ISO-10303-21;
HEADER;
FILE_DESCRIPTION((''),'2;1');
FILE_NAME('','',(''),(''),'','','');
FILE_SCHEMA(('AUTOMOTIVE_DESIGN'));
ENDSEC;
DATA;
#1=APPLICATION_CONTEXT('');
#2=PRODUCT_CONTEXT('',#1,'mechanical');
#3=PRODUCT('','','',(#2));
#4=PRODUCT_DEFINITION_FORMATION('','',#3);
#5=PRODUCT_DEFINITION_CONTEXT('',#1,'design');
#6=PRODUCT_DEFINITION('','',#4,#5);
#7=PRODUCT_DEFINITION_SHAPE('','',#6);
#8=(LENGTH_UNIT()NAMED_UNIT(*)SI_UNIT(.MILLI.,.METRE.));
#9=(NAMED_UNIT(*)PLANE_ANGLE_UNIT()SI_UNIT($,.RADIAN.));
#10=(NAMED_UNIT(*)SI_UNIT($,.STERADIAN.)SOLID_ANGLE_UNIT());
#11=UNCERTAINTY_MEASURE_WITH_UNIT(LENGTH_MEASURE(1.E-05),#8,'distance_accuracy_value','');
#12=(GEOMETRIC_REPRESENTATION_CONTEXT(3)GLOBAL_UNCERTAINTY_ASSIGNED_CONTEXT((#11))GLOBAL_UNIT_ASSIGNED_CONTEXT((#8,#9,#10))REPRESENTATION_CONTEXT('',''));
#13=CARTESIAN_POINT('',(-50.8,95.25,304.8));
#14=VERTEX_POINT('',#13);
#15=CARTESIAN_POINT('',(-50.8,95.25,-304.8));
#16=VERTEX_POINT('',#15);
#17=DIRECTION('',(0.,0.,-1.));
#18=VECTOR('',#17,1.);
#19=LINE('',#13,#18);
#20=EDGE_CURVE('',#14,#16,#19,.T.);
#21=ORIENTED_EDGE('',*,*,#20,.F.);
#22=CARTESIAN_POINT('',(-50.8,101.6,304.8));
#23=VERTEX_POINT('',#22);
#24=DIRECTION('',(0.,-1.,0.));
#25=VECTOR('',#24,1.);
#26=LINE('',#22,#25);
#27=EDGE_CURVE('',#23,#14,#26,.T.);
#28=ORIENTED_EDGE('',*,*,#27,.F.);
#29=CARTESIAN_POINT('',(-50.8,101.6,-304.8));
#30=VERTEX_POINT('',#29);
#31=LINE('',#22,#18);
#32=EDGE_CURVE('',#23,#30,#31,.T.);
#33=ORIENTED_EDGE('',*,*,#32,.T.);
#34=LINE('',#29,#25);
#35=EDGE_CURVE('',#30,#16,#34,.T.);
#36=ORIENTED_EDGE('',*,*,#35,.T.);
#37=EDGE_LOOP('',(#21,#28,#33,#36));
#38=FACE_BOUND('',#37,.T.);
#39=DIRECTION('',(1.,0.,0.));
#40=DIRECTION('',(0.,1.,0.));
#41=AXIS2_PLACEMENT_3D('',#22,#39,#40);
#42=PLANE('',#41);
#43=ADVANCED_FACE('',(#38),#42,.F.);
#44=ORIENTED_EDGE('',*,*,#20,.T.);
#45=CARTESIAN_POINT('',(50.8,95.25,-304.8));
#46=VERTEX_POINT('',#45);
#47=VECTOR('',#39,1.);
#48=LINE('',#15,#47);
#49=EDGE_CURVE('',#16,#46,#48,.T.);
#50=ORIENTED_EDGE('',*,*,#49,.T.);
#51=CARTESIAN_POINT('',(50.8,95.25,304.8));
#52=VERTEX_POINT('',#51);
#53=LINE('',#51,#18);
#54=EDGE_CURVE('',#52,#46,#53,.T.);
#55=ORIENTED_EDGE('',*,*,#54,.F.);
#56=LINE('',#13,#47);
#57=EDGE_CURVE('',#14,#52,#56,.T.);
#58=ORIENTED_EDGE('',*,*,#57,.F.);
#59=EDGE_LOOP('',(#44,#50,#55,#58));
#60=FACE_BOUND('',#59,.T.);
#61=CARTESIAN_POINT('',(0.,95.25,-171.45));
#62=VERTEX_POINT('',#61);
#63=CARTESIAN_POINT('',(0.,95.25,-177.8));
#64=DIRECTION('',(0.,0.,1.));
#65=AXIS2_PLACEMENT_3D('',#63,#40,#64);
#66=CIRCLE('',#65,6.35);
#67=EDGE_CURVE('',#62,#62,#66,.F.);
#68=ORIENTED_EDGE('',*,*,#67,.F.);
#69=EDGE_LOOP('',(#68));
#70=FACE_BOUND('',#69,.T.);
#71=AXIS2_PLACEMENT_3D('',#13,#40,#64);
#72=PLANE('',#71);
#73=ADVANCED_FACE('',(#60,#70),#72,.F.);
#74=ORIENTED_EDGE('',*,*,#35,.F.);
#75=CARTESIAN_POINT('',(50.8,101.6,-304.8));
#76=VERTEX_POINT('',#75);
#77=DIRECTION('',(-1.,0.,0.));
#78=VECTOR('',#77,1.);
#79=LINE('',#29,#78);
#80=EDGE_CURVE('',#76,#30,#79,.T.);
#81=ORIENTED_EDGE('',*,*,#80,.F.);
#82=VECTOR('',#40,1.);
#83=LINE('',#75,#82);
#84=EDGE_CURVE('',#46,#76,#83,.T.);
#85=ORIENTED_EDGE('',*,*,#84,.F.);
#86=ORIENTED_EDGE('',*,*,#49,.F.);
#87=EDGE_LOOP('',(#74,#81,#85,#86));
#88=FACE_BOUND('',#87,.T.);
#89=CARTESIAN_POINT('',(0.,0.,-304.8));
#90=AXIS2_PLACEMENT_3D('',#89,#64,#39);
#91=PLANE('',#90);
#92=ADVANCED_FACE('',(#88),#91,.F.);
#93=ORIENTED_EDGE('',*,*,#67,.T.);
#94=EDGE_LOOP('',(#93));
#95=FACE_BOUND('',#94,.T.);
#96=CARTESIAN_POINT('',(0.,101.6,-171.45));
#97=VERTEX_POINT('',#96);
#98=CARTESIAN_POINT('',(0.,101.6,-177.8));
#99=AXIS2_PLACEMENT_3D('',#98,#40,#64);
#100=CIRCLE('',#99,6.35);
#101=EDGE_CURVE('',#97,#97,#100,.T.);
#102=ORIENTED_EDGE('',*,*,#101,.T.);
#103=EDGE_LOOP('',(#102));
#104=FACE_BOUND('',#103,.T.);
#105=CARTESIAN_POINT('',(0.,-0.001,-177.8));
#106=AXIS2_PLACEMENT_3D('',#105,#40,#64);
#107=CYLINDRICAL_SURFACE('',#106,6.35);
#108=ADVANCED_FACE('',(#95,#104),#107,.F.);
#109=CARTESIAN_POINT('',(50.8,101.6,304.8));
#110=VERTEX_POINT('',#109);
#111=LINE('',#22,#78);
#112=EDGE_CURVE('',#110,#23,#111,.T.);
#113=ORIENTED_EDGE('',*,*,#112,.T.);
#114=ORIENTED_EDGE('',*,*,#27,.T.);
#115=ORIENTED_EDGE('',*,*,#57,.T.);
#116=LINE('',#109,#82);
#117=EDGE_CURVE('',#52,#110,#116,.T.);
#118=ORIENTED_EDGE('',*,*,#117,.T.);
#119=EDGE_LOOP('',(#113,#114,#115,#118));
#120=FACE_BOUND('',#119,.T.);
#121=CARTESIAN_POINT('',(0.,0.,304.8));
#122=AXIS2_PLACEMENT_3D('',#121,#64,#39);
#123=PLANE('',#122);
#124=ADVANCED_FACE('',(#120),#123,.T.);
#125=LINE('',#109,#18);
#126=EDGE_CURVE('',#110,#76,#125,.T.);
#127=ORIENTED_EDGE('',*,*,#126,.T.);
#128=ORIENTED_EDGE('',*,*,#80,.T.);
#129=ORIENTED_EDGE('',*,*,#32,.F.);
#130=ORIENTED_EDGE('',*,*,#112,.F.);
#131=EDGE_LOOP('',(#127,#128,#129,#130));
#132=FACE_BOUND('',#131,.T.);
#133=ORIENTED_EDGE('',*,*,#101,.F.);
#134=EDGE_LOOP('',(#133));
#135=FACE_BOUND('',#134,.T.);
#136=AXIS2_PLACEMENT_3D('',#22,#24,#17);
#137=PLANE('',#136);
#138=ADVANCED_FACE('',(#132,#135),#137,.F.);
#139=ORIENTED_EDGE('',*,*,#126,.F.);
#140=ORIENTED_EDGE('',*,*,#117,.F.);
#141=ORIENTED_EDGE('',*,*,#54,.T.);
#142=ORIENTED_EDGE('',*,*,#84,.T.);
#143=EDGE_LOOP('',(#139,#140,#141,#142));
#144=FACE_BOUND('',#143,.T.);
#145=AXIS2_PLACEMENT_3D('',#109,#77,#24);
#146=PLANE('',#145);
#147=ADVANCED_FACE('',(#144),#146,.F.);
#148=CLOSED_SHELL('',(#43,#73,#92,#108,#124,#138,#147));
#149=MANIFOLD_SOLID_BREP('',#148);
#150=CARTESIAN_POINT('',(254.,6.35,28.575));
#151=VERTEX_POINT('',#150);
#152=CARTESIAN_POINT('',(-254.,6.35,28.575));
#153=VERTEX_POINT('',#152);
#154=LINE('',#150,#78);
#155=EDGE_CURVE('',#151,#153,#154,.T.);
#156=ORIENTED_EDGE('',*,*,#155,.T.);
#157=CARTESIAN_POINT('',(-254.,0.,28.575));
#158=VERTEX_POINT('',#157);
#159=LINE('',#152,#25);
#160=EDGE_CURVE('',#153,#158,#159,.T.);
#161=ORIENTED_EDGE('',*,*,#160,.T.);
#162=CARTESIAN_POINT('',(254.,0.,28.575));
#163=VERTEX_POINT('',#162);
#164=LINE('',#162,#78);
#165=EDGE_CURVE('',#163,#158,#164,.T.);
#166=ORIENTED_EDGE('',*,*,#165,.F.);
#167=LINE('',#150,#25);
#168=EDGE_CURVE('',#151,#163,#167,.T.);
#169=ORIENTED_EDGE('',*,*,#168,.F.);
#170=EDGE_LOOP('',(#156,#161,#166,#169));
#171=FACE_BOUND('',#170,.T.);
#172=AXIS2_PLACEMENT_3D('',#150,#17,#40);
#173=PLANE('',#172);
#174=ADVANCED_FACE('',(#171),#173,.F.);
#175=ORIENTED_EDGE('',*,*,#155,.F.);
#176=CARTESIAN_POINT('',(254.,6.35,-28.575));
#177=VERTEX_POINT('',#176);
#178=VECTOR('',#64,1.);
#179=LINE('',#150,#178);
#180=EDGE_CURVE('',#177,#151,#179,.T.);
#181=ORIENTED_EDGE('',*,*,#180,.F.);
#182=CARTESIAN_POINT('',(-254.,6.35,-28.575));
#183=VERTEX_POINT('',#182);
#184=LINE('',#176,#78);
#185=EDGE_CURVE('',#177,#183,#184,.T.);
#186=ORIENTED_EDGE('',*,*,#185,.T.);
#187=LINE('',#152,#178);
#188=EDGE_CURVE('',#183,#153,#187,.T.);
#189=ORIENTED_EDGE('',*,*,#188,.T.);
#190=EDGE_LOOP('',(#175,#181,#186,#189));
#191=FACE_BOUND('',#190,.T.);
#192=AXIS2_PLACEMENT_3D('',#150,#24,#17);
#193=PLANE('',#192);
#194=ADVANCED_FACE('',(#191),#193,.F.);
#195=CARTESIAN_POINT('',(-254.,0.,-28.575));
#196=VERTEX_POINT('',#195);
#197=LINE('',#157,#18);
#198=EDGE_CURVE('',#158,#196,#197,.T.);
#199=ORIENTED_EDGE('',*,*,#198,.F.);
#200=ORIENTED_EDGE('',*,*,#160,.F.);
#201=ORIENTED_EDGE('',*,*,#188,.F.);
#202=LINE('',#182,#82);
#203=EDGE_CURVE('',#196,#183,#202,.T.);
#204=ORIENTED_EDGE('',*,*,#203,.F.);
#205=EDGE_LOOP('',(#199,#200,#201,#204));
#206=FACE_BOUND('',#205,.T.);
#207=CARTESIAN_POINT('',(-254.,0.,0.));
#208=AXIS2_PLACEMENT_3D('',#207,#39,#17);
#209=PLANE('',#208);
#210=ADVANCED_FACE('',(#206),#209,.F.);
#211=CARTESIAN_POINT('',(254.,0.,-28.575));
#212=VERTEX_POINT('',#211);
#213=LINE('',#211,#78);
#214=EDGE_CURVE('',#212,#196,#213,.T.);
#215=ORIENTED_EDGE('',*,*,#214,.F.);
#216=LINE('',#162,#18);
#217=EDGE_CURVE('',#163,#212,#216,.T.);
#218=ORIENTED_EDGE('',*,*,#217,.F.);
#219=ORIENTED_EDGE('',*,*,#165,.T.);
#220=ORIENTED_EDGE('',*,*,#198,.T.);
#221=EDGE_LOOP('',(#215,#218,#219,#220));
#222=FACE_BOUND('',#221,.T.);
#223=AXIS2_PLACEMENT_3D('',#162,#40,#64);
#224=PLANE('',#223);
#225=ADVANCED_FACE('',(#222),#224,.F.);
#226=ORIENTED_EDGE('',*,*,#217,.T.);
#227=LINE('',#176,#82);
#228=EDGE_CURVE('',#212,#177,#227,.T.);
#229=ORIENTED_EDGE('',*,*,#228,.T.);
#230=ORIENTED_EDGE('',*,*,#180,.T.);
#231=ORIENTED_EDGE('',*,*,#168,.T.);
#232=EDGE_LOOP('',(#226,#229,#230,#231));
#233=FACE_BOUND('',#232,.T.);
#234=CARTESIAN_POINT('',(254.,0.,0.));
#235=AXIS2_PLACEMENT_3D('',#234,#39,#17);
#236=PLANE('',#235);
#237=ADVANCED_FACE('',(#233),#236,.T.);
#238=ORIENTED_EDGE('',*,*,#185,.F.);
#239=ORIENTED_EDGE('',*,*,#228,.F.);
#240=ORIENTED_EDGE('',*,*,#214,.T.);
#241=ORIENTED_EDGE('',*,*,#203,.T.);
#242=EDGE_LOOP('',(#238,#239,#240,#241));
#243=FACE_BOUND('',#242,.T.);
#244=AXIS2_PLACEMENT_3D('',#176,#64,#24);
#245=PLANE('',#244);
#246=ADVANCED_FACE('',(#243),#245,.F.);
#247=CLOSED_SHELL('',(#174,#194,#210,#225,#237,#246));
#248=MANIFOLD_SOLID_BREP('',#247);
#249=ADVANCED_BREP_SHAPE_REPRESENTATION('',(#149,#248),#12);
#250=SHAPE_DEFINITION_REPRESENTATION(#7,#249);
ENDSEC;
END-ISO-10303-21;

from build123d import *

# Parameters (mm, degrees)
SKETCH1_W           = 57.15
SKETCH1_H           = 6.35
BOSS_EXTRUDE1_DEPTH = 254
SKETCH2_W           = 101.6
SKETCH2_H           = 6.35
BOSS_EXTRUDE2_DEPTH = 304.8
SKETCH3_R           = 6.35
CUT_EXTRUDE1_DEPTH  = 6.35


with BuildPart() as part:
    # Sketch1 → Boss-Extrude1 (new, symmetric)
    with BuildSketch(Plane(origin=(0, 0, 0), x_dir=(0, 0, -1), z_dir=(1, 0, 0))):
        with Locations((0, 3.175)):
            Rectangle(SKETCH1_W, SKETCH1_H)
    extrude(amount=BOSS_EXTRUDE1_DEPTH, both=True)


with BuildPart() as body_2:
    # Sketch2 → Boss-Extrude2 (new, symmetric)
    with BuildSketch(Plane.XY):
        with Locations((0, 98.425)):
            Rectangle(SKETCH2_W, SKETCH2_H)
    extrude(amount=BOSS_EXTRUDE2_DEPTH, both=True)

    # Sketch3 → Cut-Extrude1 (cut)
    with BuildSketch(Plane(origin=(0, 101.6, 0), x_dir=(1, 0, 0), z_dir=(0, 1, 0))):
        with Locations(Location((0, 177.8, 0), (0, 0, 270))):
            Circle(SKETCH3_R)
    extrude(amount=-CUT_EXTRUDE1_DEPTH, mode=Mode.SUBTRACT)


solid = Compound([part.part, body_2.part])
